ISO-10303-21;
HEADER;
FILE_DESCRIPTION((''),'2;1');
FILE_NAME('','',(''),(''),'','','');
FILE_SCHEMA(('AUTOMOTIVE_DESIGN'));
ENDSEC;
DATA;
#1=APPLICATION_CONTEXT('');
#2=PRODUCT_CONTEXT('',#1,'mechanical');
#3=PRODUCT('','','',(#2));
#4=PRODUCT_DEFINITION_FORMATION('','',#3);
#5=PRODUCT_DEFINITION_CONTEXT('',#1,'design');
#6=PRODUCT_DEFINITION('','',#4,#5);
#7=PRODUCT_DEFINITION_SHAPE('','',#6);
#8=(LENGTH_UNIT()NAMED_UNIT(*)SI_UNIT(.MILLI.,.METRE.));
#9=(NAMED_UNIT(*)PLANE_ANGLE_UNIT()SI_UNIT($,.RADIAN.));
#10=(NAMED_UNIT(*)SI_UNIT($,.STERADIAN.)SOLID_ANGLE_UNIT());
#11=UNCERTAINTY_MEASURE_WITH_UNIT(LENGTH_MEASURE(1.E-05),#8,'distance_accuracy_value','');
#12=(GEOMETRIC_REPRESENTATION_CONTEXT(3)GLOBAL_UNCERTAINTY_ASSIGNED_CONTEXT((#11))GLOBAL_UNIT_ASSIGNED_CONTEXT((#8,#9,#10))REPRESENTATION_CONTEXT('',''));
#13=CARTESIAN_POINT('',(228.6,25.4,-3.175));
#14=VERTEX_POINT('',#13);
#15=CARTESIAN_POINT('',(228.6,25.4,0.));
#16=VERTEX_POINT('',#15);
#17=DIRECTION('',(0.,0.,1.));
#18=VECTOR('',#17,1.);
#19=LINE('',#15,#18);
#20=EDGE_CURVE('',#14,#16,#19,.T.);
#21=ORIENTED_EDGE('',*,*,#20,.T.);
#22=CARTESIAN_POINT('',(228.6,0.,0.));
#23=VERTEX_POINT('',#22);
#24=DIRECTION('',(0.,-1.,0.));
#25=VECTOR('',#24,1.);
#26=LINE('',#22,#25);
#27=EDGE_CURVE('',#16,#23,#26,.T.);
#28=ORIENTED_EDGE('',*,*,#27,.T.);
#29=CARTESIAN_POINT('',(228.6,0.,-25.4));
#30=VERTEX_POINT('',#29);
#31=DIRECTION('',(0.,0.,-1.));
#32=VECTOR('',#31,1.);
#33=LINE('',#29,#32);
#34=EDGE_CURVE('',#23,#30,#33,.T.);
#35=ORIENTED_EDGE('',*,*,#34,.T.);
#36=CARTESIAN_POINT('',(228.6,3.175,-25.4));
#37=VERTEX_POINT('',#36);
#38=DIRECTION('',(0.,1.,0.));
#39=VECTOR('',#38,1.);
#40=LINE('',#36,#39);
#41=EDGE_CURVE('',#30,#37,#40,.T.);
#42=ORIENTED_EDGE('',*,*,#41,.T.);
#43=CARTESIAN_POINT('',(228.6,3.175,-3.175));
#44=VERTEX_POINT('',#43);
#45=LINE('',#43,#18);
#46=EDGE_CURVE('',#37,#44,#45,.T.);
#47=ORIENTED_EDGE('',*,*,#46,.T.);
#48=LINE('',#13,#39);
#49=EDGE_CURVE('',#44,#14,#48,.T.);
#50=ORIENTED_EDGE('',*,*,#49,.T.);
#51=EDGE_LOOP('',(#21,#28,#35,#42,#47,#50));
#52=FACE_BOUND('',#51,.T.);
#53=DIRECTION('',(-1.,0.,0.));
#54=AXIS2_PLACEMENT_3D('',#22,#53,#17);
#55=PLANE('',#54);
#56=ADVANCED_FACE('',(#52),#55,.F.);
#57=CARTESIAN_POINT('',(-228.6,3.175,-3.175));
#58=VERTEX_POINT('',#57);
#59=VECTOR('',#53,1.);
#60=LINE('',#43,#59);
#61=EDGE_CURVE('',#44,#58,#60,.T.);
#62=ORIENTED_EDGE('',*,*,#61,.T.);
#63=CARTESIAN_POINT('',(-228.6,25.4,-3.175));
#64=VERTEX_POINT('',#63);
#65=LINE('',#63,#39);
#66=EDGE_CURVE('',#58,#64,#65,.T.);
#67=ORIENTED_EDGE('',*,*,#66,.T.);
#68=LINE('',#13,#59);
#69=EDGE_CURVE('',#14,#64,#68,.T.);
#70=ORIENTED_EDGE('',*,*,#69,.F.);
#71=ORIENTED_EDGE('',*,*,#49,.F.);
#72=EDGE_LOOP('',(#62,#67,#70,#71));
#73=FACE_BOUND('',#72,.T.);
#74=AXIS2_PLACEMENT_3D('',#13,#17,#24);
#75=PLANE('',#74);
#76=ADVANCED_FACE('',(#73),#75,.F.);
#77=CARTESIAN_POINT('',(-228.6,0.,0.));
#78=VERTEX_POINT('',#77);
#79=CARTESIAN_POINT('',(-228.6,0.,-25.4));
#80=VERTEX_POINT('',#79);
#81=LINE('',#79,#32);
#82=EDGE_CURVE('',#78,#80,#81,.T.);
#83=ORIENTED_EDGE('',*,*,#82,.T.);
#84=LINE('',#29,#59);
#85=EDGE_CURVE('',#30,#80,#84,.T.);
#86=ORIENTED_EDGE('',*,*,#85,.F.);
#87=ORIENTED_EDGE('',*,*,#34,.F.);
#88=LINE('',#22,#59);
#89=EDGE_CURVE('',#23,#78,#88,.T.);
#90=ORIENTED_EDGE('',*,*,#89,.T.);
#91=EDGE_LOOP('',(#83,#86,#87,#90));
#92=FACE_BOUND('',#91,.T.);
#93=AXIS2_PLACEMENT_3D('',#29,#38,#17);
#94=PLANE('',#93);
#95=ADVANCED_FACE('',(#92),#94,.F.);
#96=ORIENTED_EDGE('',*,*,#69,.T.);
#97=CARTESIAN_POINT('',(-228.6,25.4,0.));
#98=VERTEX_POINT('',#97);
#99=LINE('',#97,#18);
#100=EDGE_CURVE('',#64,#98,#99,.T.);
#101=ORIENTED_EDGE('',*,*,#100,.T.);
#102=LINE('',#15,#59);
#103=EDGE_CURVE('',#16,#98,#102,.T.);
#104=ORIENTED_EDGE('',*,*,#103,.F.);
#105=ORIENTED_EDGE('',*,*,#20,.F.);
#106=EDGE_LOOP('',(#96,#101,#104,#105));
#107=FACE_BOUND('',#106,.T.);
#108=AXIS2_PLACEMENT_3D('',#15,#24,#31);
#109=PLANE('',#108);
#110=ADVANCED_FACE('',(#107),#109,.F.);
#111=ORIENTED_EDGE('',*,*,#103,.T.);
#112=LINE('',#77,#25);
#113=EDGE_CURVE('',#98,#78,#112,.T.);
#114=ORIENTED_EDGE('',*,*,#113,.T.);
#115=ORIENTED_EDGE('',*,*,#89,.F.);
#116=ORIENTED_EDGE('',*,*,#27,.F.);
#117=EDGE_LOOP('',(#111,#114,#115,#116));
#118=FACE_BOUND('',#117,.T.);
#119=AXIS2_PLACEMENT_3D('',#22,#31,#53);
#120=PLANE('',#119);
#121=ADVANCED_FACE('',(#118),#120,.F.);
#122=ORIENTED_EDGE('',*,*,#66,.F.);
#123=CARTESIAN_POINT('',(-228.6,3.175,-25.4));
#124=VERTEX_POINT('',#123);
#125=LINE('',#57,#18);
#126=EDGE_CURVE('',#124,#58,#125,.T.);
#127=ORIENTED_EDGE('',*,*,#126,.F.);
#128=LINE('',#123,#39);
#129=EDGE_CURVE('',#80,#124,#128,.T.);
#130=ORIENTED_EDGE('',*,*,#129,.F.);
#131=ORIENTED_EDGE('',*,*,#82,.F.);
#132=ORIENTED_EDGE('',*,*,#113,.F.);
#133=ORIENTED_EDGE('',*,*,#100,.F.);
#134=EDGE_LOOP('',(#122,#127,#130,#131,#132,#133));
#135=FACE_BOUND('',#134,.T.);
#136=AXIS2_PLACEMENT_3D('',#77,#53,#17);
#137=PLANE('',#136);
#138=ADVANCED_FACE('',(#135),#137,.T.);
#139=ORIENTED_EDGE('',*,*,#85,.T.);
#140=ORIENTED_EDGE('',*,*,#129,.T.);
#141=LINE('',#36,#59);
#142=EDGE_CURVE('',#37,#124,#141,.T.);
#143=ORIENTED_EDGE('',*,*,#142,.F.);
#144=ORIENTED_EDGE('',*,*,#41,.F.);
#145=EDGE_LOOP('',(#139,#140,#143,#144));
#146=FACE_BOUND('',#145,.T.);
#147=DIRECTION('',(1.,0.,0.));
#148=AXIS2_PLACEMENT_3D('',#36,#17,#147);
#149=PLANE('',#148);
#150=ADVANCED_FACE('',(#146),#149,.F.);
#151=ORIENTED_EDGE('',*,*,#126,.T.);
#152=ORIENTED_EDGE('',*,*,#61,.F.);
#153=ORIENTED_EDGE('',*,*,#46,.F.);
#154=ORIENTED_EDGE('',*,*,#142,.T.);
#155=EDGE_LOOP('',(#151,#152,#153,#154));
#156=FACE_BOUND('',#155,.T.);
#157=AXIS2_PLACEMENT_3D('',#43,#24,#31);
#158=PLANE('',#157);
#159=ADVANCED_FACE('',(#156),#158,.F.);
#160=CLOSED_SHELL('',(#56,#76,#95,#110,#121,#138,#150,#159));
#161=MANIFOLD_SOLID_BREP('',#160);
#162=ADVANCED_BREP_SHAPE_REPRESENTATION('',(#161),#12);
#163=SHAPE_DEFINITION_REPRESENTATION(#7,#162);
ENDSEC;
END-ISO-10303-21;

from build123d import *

# Parameters (mm, degrees)
BOSS_EXTRUDE1_DEPTH = 228.6


with BuildPart() as part:
    # Sketch1 → Boss-Extrude1 (new body, symmetric)
    with BuildSketch(Plane(origin=(0, 0, 0), x_dir=(0, 0, -1), z_dir=(1, 0, 0))):
        Polygon((0, 0), (0, 25.4), (3.175, 25.4), (3.175, 3.175), (25.4, 3.175), (25.4, 0), align=None)
    extrude(amount=BOSS_EXTRUDE1_DEPTH, both=True)


solid = part.part
